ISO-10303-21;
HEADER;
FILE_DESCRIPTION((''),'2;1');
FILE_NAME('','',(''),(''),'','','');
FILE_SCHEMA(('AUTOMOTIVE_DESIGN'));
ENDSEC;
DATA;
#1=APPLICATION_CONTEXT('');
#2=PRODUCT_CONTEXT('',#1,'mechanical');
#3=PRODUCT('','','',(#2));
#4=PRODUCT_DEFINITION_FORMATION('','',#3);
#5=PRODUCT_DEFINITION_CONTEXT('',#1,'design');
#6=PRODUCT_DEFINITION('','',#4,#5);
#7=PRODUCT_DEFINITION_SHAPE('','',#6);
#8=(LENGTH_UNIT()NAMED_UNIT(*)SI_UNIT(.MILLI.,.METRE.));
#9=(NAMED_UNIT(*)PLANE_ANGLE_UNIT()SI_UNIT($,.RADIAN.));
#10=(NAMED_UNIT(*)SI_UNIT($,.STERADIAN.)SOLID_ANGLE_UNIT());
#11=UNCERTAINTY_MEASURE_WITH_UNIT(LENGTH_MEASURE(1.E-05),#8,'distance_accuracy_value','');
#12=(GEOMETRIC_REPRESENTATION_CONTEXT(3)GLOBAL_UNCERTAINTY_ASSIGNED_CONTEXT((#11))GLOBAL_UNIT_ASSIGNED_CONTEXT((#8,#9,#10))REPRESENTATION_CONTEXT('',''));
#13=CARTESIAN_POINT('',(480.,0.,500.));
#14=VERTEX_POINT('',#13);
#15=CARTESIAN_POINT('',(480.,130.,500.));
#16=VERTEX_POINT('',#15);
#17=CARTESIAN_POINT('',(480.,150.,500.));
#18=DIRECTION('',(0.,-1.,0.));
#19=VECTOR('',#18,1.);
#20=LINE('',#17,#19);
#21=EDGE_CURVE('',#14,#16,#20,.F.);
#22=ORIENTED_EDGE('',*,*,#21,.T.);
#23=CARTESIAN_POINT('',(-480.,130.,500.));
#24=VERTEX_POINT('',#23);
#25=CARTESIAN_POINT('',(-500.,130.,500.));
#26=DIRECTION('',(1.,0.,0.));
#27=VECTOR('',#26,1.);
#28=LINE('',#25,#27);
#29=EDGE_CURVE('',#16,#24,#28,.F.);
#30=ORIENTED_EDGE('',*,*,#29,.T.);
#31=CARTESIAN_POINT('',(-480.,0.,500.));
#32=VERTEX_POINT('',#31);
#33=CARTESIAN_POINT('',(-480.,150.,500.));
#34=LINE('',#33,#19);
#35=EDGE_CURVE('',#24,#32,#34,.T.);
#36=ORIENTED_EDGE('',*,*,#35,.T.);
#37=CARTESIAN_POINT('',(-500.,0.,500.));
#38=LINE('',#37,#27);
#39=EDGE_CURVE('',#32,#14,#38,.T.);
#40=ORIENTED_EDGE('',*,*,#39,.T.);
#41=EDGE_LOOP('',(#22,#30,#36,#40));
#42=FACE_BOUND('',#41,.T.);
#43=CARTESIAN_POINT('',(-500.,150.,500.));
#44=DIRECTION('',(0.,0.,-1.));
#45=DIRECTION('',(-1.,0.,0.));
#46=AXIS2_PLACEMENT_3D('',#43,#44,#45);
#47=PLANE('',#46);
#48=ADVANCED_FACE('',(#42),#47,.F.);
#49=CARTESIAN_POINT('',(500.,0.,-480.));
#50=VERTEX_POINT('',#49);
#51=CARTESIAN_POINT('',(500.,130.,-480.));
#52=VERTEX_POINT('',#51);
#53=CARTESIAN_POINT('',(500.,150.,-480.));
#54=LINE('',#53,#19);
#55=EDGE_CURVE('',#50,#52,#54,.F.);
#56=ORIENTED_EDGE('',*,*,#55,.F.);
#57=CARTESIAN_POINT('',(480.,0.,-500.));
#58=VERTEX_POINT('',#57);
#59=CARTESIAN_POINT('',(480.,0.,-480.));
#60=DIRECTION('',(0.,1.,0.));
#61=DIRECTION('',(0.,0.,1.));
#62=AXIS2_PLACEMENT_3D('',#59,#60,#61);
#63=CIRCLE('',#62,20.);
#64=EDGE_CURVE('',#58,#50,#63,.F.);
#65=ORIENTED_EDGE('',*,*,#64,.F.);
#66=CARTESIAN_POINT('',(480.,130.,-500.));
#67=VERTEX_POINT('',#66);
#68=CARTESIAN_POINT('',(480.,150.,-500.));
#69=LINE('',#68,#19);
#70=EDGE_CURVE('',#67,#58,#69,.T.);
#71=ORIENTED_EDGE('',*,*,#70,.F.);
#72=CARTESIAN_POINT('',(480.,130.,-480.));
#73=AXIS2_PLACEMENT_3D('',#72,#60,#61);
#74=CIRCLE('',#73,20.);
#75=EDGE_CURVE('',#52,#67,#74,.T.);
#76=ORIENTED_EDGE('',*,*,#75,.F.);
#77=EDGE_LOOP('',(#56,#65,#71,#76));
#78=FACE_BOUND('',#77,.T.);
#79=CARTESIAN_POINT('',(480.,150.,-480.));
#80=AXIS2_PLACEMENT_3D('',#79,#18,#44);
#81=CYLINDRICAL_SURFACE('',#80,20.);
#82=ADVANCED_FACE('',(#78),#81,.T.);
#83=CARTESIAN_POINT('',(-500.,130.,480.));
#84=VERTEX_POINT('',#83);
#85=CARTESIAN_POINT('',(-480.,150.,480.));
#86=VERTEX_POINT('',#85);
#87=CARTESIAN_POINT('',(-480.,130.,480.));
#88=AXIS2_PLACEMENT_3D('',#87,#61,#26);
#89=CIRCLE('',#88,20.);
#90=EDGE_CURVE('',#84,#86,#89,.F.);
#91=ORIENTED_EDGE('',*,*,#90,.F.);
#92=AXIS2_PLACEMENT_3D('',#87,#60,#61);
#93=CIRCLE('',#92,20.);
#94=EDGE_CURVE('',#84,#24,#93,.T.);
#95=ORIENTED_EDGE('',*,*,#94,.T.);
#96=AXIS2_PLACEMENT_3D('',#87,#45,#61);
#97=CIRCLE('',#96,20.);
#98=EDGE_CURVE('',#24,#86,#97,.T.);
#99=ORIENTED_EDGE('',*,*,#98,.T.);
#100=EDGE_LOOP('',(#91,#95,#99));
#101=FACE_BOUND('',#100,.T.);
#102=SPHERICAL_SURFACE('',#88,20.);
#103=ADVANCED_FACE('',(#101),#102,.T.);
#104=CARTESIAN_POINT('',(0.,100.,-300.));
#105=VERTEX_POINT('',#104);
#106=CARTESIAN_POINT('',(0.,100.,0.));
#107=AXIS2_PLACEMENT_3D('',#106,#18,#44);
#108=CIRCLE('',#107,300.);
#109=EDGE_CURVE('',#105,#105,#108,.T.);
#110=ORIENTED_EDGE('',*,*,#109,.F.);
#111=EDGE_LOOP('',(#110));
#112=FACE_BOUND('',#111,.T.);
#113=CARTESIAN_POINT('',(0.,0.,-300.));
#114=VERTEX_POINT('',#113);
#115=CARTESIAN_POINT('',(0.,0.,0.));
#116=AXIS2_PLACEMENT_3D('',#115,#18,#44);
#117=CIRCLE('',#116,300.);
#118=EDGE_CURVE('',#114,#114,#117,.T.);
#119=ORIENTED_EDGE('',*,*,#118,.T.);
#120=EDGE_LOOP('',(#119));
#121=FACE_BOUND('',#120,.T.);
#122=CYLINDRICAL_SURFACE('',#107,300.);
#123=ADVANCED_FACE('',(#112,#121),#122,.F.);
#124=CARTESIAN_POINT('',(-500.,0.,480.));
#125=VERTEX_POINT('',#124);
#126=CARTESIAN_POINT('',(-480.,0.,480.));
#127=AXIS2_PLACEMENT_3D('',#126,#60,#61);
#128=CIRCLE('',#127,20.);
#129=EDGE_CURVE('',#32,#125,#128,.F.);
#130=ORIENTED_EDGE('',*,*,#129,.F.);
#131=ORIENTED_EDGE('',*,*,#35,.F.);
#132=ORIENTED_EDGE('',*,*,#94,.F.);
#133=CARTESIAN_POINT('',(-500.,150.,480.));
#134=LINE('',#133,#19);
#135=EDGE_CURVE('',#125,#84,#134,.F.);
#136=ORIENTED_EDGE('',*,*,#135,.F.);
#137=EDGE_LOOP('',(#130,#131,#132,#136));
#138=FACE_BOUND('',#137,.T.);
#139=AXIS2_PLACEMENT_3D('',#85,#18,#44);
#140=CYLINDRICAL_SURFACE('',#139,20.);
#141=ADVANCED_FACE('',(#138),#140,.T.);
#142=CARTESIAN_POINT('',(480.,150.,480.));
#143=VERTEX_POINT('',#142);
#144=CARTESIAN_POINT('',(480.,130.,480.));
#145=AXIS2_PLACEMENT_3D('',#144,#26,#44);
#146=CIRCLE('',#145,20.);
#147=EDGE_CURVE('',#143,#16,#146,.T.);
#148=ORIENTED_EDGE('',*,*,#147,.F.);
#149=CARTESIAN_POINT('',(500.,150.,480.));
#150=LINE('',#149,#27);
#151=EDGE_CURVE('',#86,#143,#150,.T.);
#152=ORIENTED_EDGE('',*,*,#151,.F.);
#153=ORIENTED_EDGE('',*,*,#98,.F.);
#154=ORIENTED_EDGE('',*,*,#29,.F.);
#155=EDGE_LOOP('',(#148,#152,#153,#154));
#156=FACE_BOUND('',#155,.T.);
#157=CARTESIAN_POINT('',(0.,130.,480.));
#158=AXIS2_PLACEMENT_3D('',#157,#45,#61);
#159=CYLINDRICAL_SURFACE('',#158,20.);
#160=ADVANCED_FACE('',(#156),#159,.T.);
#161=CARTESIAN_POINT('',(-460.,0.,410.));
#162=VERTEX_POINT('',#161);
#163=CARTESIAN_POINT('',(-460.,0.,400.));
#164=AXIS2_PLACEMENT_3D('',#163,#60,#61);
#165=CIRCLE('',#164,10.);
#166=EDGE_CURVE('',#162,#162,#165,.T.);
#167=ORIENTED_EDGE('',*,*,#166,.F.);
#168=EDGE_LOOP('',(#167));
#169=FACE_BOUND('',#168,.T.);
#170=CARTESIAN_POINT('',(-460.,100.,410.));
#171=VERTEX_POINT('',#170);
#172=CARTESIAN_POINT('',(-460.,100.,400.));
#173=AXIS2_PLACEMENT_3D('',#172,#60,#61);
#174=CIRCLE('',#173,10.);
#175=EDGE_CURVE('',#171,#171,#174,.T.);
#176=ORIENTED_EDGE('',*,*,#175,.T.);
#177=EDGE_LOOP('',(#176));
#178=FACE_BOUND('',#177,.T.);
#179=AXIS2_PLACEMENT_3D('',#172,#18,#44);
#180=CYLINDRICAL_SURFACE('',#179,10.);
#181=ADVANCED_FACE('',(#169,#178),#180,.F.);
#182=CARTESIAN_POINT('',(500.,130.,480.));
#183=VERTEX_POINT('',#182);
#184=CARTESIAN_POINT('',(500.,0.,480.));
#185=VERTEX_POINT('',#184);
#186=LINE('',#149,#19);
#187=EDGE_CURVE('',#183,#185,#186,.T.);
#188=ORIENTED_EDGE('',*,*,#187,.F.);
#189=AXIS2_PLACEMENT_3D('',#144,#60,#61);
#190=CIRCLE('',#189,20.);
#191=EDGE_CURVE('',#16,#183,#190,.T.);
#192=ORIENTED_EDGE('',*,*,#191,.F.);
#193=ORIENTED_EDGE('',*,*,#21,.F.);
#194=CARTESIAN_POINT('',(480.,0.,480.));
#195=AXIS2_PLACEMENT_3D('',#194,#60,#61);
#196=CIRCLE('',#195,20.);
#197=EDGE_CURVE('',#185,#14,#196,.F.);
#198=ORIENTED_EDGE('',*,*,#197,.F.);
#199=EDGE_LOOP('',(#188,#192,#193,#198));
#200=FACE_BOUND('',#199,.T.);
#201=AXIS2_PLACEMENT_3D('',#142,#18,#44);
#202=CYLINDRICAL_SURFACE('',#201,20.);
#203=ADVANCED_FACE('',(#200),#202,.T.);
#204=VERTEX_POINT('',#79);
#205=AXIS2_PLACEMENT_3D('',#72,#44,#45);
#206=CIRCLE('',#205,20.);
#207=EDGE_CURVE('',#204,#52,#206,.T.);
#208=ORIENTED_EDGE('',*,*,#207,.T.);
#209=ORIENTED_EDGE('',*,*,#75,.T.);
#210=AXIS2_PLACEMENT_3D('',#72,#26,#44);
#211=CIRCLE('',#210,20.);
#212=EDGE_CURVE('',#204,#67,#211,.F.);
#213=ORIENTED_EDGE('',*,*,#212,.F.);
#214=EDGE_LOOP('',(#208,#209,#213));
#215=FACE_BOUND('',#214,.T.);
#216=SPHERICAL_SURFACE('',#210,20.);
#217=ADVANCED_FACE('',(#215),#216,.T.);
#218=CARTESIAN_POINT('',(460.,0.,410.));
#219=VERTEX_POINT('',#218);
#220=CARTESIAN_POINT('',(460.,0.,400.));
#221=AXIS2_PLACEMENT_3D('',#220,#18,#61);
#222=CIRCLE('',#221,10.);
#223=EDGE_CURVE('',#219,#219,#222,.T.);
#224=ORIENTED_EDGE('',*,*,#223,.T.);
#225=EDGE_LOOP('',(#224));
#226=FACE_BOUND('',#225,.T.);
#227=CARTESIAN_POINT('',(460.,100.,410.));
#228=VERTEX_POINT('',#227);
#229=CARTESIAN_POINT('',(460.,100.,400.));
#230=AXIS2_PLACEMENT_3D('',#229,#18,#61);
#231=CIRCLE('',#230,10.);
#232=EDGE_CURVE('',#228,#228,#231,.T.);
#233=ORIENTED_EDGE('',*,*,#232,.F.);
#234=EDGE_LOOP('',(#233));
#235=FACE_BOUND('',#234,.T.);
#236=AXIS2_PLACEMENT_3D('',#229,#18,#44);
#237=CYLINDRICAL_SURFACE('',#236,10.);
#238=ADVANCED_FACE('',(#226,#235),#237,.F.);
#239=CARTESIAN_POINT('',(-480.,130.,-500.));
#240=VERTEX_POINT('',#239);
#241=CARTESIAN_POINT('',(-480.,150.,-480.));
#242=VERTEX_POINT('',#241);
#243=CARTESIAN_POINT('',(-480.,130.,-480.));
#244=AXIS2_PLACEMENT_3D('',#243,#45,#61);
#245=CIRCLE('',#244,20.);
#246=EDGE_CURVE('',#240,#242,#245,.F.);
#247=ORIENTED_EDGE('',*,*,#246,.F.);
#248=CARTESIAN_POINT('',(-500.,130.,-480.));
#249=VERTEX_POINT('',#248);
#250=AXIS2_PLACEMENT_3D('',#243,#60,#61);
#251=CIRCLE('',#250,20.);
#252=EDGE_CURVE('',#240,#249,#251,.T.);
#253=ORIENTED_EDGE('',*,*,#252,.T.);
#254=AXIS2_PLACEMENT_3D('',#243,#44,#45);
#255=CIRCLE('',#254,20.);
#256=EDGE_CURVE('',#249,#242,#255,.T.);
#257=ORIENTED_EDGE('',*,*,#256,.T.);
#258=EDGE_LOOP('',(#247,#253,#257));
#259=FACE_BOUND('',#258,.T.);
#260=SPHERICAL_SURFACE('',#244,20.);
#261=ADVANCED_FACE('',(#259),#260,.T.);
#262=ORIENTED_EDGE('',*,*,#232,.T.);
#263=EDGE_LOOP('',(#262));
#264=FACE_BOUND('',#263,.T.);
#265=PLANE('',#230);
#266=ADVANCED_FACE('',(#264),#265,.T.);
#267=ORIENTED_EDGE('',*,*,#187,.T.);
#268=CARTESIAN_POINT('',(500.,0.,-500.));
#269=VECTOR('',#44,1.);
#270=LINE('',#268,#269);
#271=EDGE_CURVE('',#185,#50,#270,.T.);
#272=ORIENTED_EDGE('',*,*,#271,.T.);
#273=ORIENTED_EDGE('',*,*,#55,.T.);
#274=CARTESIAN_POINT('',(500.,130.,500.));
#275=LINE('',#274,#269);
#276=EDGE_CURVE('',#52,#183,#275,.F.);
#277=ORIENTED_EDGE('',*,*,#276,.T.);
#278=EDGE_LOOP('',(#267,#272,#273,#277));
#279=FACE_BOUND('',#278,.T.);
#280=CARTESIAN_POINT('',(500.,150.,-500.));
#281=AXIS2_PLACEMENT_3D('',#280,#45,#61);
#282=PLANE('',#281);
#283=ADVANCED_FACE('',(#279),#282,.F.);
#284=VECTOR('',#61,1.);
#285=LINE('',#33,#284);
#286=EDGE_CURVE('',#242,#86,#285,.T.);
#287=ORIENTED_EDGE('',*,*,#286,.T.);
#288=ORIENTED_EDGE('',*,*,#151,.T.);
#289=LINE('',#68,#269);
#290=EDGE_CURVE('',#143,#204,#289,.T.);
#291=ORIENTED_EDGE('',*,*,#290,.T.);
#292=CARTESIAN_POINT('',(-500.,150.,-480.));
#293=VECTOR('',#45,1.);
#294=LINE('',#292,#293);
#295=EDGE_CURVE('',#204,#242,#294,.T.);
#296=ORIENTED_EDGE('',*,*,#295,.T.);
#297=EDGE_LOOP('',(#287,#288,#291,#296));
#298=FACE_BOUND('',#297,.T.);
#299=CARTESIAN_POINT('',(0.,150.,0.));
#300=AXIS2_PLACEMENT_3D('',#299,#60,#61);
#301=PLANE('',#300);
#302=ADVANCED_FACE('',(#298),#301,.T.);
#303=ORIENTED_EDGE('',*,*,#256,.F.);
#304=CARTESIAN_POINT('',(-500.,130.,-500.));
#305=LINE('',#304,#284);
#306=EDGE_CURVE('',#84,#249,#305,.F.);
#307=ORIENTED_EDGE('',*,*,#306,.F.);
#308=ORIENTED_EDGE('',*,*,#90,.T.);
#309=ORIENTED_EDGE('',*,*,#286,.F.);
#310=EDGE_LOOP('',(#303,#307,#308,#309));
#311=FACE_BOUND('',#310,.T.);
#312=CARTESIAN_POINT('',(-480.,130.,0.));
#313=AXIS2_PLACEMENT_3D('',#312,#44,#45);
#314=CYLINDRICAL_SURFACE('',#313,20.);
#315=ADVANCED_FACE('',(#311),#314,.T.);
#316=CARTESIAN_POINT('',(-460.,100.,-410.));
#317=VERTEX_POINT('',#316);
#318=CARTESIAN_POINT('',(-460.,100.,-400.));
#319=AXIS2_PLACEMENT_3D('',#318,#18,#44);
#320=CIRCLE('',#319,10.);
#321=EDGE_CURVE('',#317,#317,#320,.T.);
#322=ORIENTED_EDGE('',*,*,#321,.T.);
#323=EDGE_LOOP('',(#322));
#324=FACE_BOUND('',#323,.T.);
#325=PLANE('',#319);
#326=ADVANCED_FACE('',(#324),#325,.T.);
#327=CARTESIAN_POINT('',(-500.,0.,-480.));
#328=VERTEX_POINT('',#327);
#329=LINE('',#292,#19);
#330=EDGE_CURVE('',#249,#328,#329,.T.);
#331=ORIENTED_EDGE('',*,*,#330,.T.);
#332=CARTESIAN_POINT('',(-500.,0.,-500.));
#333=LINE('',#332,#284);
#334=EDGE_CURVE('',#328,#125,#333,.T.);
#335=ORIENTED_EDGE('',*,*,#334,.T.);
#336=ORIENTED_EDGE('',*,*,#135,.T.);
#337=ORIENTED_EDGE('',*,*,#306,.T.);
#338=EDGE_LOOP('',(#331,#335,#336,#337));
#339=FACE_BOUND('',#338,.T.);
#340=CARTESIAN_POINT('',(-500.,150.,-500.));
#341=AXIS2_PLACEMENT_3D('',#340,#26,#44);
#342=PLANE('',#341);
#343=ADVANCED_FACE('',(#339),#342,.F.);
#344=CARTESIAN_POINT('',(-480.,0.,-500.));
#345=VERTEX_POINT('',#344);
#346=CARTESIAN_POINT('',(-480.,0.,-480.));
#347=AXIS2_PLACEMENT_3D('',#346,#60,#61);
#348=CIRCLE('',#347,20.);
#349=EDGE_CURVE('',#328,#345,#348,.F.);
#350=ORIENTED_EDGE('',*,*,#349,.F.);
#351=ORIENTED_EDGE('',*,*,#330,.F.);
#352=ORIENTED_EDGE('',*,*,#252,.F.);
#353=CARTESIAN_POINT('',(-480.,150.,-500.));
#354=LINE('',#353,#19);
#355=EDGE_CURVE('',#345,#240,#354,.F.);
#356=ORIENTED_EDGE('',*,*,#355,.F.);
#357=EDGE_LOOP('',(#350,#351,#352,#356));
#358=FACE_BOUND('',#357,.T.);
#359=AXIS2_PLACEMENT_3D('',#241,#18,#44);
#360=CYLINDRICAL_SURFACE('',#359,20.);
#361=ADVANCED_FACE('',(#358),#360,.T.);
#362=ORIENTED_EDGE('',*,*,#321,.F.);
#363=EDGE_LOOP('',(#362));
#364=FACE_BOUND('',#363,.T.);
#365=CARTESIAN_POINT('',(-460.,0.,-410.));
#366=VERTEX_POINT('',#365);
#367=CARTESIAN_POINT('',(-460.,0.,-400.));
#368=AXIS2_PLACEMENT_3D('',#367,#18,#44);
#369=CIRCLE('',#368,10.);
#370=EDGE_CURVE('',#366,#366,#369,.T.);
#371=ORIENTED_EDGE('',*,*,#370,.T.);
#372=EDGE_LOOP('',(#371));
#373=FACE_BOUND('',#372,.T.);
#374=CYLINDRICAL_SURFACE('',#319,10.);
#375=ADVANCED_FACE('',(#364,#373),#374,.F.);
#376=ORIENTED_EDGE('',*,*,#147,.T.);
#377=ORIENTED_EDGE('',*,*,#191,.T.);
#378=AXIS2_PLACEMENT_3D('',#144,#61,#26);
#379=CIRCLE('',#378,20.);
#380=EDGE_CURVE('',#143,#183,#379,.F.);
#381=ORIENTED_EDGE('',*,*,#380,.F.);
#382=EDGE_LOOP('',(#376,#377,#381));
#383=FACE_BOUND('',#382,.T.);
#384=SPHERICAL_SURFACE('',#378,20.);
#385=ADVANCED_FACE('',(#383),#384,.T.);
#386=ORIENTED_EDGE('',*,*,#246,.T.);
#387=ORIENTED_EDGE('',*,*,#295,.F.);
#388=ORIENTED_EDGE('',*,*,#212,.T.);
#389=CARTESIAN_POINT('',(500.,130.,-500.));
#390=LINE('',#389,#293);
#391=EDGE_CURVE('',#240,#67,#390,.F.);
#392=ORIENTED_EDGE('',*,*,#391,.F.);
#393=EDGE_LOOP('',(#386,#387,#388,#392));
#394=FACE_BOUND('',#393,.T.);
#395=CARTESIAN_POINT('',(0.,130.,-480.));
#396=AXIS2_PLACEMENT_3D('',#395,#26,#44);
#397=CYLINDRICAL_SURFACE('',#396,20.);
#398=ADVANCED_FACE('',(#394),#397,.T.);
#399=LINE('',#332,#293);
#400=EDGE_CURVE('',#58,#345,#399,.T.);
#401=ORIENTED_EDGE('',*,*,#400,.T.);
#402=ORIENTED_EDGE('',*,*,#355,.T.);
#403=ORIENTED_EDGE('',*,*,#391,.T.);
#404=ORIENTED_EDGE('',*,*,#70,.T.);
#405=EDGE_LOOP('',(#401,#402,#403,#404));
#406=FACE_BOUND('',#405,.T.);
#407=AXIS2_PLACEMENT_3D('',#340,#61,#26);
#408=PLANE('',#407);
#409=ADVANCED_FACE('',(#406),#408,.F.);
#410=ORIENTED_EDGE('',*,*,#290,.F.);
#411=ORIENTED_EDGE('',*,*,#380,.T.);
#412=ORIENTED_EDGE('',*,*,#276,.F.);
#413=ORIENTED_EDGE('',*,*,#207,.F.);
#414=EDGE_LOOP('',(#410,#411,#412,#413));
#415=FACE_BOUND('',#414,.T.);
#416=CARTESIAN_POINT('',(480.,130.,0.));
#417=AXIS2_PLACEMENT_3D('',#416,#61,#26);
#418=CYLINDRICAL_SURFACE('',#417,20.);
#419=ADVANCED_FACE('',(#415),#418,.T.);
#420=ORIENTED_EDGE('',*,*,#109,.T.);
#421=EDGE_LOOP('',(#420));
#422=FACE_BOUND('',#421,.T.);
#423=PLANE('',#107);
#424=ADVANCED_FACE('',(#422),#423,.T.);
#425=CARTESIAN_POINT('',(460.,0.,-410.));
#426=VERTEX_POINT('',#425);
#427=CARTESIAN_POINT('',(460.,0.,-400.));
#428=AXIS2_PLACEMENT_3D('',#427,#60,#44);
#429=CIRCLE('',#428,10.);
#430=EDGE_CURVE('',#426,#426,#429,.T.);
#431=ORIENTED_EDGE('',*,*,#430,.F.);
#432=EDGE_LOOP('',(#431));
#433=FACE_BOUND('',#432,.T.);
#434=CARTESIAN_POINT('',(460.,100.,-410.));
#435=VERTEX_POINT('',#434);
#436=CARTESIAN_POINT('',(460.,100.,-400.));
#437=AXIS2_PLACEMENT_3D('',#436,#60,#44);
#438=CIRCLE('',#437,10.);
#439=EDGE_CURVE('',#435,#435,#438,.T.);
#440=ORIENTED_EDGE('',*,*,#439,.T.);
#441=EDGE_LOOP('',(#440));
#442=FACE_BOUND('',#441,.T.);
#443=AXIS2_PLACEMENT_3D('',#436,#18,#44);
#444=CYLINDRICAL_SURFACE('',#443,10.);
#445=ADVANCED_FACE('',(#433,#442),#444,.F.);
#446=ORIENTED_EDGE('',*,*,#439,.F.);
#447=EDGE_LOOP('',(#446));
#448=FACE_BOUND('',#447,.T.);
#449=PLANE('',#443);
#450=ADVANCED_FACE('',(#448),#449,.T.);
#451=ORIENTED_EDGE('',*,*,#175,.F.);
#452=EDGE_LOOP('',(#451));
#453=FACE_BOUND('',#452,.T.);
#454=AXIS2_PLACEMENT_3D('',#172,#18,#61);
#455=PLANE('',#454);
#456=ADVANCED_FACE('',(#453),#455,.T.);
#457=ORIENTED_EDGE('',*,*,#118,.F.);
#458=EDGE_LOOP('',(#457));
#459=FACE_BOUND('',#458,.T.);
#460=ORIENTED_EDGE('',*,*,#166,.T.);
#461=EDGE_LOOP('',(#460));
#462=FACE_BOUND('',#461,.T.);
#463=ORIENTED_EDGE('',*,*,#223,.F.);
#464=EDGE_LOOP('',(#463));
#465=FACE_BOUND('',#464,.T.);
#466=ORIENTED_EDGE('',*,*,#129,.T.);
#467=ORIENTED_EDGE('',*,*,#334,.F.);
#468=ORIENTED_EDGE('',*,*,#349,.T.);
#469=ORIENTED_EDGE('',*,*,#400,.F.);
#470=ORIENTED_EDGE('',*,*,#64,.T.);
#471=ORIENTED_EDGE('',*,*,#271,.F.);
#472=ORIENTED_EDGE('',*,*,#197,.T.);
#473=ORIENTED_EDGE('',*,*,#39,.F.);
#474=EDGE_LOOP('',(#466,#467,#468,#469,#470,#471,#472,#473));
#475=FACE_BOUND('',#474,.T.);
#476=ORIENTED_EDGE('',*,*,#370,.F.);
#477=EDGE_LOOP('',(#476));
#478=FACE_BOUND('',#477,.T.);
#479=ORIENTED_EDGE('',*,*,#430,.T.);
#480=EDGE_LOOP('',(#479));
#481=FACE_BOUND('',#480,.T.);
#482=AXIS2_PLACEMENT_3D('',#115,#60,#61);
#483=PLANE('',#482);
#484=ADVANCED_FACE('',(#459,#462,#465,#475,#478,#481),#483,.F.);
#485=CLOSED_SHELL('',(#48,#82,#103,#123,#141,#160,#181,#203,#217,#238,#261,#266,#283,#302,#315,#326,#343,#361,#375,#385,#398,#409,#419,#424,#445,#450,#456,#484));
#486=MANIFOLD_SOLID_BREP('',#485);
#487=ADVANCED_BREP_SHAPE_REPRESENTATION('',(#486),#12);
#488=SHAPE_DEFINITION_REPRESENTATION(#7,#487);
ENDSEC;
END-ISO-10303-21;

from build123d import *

# Parameters (mm, degrees)
SKETCH1_W               = 1000
SKETCH1_H               = 1000
BOSS_EXTRUDE1_DEPTH     = 150
SKETCH2_R               = 300
CUT_EXTRUDE1_DEPTH      = 100
FILLET1_R               = 20
SKETCH3_R               = 10
CUT_EXTRUDE2_DEPTH      = 100
MIRROR2_COPY_1_SKETCH_R = 10
MIRROR2_COPY_1_DEPTH    = 100


with BuildPart() as part:
    # Sketch1 → Boss-Extrude1 (new body)
    with BuildSketch(Plane(origin=(0, 0, 0), x_dir=(1, 0, 0), z_dir=(0, 1, 0))):
        Rectangle(SKETCH1_W, SKETCH1_H)
    extrude(amount=BOSS_EXTRUDE1_DEPTH)

    # Sketch2 → Cut-Extrude1 (cut)
    with BuildSketch(Plane.XZ):
        Circle(SKETCH2_R)
    extrude(amount=-CUT_EXTRUDE1_DEPTH, mode=Mode.SUBTRACT)

    # Fillet1
    fillet1_edges = [part.edges().sort_by_distance(p)[0] for p in [
        (500, 150, 0),
        (0, 150, -500),
        (-500, 150, 0),
        (-500, 75, -500),
        (500, 75, -500),
        (500, 75, 500),
        (-500, 75, 500),
        (0, 150, 500),
    ]]
    fillet(fillet1_edges, radius=FILLET1_R)

    # Sketch3 → Cut-Extrude2 (cut)
    with BuildSketch(Plane.XZ):
        with Locations((-460, -400)):
            Circle(SKETCH3_R)
    cut_extrude2 = extrude(amount=-CUT_EXTRUDE2_DEPTH, mode=Mode.SUBTRACT)

    # Mirror1: Cut-Extrude2 across plane
    add(cut_extrude2.mirror(Plane(origin=(0, 0, 0), x_dir=(0, 0, 1), z_dir=(1, 0, 0))), mode=Mode.SUBTRACT)

    # Mirror2: Cut-Extrude2 across plane
    add(cut_extrude2.mirror(Plane.XY), mode=Mode.SUBTRACT)

    # Mirror2 copy 1 sketch → Mirror2 copy 1 (cut)
    with BuildSketch(Plane(origin=(0, 0, 0), x_dir=(-1, 0, 0), z_dir=(0, -1, 0))):
        with Locations((-460, -400)):
            Circle(MIRROR2_COPY_1_SKETCH_R)
    extrude(amount=-MIRROR2_COPY_1_DEPTH, mode=Mode.SUBTRACT)


solid = part.part
